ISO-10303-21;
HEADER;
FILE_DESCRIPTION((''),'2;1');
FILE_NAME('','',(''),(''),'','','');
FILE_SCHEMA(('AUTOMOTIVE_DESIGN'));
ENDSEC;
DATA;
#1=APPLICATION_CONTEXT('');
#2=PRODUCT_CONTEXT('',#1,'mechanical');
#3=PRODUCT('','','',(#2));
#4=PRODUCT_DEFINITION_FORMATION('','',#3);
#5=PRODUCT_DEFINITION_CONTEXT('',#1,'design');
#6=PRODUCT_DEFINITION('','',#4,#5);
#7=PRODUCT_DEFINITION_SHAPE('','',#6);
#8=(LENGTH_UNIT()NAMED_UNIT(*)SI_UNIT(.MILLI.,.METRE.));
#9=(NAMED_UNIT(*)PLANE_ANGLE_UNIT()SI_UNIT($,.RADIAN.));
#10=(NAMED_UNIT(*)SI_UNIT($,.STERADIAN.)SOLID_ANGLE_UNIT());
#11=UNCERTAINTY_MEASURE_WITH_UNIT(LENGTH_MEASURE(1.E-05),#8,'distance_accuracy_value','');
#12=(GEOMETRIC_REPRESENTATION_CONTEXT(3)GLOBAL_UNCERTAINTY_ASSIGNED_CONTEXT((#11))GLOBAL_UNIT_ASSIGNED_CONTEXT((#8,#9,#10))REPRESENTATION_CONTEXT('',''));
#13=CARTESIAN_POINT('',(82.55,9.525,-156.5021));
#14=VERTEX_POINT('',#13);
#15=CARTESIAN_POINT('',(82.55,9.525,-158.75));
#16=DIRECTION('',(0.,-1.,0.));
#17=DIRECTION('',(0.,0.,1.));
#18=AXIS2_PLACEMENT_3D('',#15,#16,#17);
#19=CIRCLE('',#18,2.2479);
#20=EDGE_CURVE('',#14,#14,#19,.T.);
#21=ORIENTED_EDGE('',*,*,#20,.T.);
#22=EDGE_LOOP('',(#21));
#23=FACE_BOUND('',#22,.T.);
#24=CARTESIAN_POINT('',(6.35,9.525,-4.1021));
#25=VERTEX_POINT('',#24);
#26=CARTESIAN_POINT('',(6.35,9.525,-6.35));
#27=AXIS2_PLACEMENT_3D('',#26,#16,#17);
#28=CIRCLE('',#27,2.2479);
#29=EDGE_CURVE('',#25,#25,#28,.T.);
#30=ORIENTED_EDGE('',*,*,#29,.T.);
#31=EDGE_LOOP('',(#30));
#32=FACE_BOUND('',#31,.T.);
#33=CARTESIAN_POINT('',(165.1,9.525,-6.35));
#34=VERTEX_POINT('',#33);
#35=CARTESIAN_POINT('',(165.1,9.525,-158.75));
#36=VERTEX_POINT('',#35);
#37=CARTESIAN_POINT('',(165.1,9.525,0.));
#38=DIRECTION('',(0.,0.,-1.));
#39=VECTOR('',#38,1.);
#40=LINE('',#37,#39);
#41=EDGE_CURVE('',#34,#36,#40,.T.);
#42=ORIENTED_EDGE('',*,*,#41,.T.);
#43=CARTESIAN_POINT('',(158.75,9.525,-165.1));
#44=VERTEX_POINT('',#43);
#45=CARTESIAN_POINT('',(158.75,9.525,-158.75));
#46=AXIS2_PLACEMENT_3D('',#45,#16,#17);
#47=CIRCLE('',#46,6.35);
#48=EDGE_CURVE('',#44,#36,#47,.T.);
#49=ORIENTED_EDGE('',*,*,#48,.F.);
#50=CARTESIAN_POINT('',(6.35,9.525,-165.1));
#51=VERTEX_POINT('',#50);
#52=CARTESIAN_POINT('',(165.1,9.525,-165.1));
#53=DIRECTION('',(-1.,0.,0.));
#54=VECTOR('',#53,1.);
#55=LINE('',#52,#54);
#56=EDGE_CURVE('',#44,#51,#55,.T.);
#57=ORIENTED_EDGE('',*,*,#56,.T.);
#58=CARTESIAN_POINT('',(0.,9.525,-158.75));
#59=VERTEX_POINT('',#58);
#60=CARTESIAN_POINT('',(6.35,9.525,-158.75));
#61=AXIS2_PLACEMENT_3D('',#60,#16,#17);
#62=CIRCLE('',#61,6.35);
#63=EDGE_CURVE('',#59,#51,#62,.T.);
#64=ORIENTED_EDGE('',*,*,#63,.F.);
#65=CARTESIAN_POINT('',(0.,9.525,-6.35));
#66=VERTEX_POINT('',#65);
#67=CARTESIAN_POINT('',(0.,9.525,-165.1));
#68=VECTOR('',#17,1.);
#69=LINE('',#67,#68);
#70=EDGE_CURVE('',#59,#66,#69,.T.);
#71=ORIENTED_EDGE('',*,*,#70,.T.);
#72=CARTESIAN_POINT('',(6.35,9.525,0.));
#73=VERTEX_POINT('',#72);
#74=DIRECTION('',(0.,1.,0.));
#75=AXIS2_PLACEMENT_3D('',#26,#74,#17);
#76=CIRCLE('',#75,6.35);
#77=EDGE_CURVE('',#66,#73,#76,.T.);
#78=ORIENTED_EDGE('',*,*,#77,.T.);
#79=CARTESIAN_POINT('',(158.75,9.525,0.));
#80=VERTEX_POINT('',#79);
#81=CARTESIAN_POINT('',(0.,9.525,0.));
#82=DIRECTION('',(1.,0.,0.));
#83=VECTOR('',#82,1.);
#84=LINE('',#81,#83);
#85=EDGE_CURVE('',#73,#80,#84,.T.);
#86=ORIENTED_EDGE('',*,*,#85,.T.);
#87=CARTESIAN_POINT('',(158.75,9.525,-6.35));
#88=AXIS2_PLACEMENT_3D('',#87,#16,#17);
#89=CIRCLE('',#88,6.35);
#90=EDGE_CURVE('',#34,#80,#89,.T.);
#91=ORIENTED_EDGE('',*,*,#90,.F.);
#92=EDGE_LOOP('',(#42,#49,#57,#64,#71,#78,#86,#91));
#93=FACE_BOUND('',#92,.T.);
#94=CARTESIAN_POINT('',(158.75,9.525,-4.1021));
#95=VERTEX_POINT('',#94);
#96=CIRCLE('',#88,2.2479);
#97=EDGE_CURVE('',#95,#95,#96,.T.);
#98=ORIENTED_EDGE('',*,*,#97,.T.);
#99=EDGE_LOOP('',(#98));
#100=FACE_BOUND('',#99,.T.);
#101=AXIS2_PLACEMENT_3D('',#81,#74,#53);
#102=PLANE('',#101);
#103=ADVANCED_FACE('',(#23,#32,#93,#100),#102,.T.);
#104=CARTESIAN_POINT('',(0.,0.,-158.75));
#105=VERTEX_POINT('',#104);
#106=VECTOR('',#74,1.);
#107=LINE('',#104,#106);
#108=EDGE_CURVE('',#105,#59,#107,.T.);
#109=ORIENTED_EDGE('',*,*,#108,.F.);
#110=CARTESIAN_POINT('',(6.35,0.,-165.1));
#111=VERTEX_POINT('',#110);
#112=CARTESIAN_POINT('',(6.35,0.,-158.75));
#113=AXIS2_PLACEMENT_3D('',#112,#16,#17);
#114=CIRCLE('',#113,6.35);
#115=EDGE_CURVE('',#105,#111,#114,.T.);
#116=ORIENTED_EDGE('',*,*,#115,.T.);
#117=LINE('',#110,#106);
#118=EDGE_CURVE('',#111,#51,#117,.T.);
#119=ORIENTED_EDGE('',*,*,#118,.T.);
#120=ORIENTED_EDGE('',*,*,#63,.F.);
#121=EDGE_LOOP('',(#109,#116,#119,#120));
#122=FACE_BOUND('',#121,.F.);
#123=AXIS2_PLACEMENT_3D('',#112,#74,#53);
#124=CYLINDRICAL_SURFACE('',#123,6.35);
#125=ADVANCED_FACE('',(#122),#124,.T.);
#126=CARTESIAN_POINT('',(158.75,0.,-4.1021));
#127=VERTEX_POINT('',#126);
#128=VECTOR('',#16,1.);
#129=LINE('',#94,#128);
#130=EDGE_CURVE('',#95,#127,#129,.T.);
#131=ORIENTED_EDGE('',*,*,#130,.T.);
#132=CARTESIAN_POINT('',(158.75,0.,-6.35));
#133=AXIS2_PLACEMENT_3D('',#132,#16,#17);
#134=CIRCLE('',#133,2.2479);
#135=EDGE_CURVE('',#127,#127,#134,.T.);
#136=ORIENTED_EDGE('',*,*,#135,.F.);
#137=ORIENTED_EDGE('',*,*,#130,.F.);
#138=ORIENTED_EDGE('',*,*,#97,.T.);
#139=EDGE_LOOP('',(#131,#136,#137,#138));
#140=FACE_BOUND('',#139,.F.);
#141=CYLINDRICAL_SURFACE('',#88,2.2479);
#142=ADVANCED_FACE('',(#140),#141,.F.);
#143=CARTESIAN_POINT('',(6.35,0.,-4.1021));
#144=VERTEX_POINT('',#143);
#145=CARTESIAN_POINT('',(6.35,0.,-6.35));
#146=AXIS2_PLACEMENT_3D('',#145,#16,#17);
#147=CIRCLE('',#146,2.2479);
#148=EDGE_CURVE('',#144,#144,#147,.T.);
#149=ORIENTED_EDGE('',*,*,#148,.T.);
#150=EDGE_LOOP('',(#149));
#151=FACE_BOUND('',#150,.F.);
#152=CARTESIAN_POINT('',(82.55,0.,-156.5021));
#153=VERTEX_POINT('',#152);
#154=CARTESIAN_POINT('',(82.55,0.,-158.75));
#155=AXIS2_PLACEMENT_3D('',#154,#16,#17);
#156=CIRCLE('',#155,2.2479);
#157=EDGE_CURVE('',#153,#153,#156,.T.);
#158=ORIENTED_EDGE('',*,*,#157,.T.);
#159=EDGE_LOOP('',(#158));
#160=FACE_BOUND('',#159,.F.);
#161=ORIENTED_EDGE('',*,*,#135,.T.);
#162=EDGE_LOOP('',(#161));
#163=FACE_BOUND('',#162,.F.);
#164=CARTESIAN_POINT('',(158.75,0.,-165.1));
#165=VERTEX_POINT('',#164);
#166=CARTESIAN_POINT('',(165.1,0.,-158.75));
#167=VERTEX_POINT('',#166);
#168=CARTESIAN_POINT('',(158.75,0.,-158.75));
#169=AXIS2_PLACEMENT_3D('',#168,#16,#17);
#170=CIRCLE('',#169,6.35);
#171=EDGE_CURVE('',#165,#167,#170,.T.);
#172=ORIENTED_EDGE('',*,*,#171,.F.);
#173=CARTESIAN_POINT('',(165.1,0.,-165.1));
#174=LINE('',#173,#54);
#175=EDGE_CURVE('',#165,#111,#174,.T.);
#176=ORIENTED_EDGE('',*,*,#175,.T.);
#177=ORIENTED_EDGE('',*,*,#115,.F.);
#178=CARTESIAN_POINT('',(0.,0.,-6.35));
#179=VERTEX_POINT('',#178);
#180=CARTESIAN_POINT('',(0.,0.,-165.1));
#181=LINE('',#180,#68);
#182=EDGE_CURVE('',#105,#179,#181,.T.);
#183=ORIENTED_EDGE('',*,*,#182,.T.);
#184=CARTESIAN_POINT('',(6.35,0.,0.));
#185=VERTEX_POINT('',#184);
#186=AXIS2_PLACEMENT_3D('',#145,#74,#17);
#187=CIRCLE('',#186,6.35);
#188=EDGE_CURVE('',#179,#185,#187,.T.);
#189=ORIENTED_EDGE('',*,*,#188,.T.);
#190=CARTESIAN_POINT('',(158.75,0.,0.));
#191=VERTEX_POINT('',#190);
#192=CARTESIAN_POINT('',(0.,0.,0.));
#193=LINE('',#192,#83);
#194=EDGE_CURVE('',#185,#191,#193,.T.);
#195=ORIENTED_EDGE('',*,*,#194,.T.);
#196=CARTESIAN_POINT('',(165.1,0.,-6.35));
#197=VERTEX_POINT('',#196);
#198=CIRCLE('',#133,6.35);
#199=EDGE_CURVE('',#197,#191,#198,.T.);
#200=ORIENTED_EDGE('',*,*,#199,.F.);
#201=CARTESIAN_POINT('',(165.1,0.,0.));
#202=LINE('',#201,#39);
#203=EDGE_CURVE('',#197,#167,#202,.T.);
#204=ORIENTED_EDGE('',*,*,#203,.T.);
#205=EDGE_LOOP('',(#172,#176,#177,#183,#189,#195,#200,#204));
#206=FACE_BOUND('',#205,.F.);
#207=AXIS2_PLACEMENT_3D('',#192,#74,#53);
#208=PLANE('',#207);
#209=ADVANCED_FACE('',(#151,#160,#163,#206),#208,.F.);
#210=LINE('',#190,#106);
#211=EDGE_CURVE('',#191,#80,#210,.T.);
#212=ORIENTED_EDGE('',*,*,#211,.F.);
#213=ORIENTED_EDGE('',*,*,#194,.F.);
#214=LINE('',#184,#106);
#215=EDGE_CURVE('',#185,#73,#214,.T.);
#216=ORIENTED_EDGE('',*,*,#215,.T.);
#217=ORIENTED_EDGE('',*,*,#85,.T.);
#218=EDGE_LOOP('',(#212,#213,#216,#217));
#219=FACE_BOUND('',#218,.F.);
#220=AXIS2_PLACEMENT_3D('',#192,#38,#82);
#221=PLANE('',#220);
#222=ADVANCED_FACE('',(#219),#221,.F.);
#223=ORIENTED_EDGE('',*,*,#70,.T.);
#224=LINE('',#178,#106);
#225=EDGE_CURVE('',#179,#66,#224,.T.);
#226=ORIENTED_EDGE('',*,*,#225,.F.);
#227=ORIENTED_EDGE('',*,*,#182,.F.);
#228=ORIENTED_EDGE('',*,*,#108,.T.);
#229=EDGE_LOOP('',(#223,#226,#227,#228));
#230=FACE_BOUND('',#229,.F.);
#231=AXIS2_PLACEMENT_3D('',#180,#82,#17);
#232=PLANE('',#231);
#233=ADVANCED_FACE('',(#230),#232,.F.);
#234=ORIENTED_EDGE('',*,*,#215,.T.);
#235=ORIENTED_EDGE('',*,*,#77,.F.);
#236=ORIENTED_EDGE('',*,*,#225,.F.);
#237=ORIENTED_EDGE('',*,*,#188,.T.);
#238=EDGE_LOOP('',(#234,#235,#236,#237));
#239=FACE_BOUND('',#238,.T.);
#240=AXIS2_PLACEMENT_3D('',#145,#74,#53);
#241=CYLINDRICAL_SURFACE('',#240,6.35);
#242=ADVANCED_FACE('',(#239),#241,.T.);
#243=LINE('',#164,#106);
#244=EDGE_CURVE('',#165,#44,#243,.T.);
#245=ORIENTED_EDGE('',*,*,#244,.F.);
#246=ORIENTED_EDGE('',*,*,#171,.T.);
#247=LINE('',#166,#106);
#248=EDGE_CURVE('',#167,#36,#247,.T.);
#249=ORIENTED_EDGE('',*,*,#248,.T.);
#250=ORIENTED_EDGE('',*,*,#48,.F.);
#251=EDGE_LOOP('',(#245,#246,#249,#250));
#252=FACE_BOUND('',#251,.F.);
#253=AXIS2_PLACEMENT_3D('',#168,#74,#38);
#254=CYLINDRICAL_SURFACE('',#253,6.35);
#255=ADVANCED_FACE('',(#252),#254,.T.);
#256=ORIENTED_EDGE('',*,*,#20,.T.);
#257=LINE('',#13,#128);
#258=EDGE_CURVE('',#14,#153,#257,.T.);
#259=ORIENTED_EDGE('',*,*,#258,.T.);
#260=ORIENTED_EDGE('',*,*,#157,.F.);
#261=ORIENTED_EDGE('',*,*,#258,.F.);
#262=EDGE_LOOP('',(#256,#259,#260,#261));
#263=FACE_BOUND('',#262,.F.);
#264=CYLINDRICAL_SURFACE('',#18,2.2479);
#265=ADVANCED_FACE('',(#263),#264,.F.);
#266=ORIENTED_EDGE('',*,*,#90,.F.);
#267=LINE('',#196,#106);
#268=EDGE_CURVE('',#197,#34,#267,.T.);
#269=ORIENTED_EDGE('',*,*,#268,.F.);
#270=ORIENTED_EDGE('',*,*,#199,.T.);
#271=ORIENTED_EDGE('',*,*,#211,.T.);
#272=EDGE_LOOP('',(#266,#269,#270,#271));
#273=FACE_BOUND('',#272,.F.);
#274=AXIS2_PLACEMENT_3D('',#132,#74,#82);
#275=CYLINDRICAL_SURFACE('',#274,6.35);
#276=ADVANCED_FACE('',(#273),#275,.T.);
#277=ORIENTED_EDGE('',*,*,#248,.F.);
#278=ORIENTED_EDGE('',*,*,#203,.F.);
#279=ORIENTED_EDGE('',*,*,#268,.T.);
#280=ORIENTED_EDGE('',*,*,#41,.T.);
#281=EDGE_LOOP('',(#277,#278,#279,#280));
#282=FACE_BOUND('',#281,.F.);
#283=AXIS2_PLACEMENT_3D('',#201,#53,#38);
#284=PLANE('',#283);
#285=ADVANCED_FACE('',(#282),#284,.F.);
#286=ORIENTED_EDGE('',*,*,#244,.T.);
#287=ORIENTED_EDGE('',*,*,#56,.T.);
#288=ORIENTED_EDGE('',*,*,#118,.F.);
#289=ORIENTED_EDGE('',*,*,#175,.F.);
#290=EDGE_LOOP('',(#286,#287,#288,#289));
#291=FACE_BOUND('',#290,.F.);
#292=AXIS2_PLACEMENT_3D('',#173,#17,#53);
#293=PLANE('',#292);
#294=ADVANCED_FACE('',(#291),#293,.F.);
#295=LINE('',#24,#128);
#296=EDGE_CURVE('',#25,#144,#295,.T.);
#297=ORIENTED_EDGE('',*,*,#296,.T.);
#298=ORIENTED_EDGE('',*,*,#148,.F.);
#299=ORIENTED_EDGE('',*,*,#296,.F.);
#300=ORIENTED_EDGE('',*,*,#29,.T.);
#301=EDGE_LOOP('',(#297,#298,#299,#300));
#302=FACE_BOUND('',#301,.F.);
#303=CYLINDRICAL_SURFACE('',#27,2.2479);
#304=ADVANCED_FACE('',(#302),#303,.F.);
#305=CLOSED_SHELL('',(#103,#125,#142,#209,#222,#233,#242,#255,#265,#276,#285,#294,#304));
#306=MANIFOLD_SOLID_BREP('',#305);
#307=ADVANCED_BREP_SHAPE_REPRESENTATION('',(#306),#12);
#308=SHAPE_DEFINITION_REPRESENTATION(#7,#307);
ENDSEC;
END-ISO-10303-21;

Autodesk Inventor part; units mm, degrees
ref_plane "YZ Plane" through (0, 0, 0) normal (1, 0, 0) x (0, 1, 0)
ref_plane "XZ Plane" through (0, 0, 0) normal (0, 1, 0) x (-1, 0, 0)
ref_plane "XY Plane" through (0, 0, 0) normal (0, 0, 1) x (1, 0, 0)
sketch "Sketch1" plane through (0, 0, 0) normal (0, 1, 0) x (-1, 0, 0)
  line L0 (0, 0) -> (-165.1, 0)
  line L1 (-165.1, 0) -> (-165.1, -165.1)
  line L2 (-165.1, -165.1) -> (0, -165.1)
  line L3 (0, -165.1) -> (0, 0)
  dimension "d0" = 165.1
  dimension "d1" = 165.1
extrude "Extrusion1" add sketch "Sketch1" along normal blind 9.525
fillet "Fillet1" radius 6.35 4 edges at (165.1, 4.7625, 0) (165.1, 4.7625, -165.1) (0, 4.7625, -165.1) (0, 4.7625, 0)
sketch "Sketch4" plane through (0, 9.525, 0) normal (0, 1, 0) x (1, 0, 0)
  arc A0 (0, 6.35) -> (6.35, 0) centre (6.35, 6.35) ccw projected
  line L0 (6.35, 0) -> (158.75, 0) projected
  arc A1 (158.75, 0) -> (165.1, 6.35) centre (158.75, 6.35) ccw projected
  line L1 (165.1, 6.35) -> (165.1, 158.75) projected
  arc A2 (165.1, 158.75) -> (158.75, 165.1) centre (158.75, 158.75) ccw projected
  line L2 (158.75, 165.1) -> (6.35, 165.1) projected
  arc A3 (6.35, 165.1) -> (0, 158.75) centre (6.35, 158.75) ccw projected
  line L3 (0, 158.75) -> (0, 6.35) projected
  line L4 (82.55, 158.75) -> (82.55, 6.35)
  line L5 (82.55, 6.35) -> (6.35, 6.35)
  line L6 (6.35, 6.35) -> (82.55, 6.35)
  line L7 (158.75, 6.35) -> (82.55, 6.35)
  point P0 (0, 0)
  point P1 (82.55, 0)
  dimension "d15" = 6.35
  dimension "d16" = 76.2
  dimension "d18" = 6.35
hole "Hole2" at (82.55, 9.525, -158.75) at (158.75, 9.525, -6.35) at (6.35, 9.525, -6.35) direction (0, -1, 0) diameter 4.4958 end through all clearance for "Countersunk Flat Head Screw ISO 2009/7046" size "M4" standard "ISO"
equation "\"d18\" = d15"
properties part number "Print Bed"
